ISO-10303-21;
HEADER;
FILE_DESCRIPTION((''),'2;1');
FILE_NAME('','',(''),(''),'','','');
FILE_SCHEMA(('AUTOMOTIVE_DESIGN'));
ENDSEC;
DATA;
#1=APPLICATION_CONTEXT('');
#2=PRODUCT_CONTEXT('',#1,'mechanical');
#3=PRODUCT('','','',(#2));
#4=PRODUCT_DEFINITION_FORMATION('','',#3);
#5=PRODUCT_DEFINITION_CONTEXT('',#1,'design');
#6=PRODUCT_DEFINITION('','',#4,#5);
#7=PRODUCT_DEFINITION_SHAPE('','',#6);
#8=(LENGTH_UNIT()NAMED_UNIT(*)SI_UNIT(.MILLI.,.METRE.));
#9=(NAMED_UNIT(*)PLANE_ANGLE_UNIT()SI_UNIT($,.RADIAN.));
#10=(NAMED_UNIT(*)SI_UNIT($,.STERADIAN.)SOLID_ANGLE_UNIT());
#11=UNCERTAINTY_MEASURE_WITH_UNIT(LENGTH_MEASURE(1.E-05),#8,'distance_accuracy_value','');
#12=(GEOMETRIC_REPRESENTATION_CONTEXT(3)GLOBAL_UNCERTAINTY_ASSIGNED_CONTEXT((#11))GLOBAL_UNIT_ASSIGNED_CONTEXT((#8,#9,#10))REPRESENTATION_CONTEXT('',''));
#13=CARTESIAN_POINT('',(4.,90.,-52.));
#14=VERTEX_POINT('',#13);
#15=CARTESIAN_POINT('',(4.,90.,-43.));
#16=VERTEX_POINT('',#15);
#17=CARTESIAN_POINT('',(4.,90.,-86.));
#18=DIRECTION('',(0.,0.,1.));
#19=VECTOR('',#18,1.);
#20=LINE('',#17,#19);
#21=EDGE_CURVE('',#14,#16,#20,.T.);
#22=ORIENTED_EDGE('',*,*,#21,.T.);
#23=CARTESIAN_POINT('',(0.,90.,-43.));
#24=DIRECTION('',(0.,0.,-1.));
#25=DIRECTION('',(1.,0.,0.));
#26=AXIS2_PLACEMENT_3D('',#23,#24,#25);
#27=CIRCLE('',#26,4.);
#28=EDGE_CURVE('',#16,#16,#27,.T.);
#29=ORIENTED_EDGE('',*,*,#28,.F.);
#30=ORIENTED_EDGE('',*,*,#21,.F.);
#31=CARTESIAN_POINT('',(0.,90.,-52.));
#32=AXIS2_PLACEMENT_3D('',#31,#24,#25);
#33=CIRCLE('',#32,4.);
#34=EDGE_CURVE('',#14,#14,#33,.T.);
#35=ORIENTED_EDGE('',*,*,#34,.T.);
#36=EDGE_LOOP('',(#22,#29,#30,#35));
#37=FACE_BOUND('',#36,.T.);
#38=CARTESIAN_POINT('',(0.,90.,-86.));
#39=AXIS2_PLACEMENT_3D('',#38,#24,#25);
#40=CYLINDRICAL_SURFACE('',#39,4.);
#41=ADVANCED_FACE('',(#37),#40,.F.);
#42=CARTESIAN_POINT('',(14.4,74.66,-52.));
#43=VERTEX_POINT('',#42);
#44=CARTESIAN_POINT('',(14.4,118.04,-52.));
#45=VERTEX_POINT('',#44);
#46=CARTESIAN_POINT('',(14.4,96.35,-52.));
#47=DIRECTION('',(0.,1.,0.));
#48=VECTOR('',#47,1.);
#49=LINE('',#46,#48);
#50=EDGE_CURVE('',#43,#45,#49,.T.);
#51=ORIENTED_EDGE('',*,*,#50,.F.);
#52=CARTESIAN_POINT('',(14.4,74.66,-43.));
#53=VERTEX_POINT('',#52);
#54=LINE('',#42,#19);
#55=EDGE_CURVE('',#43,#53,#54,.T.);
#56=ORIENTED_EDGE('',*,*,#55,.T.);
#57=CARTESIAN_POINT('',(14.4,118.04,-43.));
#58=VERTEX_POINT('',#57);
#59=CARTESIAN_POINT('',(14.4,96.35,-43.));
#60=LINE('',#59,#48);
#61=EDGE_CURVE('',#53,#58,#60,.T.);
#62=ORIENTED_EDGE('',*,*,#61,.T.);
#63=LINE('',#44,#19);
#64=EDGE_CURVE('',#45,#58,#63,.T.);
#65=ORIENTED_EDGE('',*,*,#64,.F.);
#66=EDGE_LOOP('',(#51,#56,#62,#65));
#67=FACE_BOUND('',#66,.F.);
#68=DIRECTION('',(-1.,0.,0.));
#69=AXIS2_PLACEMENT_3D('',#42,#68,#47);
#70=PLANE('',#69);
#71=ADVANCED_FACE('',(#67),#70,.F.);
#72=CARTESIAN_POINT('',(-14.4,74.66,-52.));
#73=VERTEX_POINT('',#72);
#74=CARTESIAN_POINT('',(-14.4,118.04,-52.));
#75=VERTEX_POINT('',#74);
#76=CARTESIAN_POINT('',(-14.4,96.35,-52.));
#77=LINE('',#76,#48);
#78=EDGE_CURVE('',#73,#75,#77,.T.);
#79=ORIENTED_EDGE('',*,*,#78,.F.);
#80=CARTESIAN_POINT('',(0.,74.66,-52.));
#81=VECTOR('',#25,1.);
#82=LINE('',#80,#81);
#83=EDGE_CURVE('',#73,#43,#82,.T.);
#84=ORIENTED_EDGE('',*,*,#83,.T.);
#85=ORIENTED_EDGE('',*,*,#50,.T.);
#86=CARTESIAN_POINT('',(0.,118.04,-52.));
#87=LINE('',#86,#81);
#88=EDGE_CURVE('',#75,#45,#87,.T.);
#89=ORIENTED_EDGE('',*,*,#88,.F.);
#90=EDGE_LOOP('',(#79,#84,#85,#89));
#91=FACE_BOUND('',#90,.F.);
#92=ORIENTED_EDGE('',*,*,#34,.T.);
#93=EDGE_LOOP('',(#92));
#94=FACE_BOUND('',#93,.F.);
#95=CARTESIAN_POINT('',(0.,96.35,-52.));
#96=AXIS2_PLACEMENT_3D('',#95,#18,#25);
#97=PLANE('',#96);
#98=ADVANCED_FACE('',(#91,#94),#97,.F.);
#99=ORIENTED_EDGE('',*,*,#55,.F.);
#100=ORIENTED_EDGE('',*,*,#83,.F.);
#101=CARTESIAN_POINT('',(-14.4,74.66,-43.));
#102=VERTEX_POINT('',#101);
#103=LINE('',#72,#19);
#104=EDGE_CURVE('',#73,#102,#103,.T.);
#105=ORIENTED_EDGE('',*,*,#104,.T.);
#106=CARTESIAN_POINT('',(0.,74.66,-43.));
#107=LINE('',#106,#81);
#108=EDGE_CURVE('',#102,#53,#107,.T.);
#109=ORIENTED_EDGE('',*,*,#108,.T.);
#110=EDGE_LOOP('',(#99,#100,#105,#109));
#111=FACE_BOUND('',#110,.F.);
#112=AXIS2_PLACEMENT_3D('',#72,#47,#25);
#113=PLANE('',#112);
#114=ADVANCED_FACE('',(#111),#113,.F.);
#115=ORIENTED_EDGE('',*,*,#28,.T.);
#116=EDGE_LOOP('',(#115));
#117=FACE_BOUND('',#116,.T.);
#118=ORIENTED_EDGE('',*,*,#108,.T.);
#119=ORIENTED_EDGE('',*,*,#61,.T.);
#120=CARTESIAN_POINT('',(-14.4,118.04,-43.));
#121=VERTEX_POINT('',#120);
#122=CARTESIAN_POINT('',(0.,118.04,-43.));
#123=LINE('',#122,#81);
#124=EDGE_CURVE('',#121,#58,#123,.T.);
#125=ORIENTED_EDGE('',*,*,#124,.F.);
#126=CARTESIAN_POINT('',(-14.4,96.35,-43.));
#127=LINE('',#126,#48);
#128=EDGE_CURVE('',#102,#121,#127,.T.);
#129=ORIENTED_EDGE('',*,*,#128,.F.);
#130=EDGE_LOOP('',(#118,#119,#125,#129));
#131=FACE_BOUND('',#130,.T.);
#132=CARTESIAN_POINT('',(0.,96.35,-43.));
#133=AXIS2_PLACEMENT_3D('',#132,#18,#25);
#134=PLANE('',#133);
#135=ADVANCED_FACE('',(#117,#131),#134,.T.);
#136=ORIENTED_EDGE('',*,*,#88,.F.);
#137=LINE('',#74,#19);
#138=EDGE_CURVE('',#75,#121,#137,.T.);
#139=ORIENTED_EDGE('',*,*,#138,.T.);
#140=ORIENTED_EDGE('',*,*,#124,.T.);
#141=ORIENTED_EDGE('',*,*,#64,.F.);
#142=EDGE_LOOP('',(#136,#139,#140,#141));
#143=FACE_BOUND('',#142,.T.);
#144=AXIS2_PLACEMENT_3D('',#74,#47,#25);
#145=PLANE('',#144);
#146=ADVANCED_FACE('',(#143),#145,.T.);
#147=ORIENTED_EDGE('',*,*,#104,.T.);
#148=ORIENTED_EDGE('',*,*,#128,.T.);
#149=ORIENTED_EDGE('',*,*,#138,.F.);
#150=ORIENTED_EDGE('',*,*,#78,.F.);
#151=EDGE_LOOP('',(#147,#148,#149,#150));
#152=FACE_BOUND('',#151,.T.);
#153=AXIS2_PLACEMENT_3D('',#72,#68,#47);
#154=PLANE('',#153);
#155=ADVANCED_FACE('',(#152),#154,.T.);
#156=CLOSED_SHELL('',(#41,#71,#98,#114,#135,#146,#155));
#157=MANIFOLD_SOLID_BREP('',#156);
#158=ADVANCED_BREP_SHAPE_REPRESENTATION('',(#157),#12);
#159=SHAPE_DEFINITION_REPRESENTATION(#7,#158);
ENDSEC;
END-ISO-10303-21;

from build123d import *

# Parameters (mm, degrees)
CYLINDER1615_R     = 4
CYLINDER1615_DEPTH = 100
BOX641_W           = 28.8
BOX641_H           = 43.38
BOX641_DEPTH       = 9


with BuildPart() as v_lec1615:
    # Cylinder1615 → Cylinder1615 (new body)
    with BuildSketch(Plane.XY):
        Circle(CYLINDER1615_R)
    extrude(amount=CYLINDER1615_DEPTH)


with BuildPart() as cut307:
    # Box641 → Box641 (new body)
    with BuildSketch(Plane(origin=(-14.4, -15.34, 34), x_dir=(1, 0, 0), z_dir=(0, 0, 1))):
        with Locations((14.4, 21.69)):
            Rectangle(BOX641_W, BOX641_H)
    extrude(amount=BOX641_DEPTH)

    # Cut307: cut Válec1615
    add(v_lec1615.part, mode=Mode.SUBTRACT)


with BuildPart() as cut307_1:
    # Cut307 placement: moved
    add(cut307.part.moved(Location((0, 90, -86))))


solid = cut307_1.part
